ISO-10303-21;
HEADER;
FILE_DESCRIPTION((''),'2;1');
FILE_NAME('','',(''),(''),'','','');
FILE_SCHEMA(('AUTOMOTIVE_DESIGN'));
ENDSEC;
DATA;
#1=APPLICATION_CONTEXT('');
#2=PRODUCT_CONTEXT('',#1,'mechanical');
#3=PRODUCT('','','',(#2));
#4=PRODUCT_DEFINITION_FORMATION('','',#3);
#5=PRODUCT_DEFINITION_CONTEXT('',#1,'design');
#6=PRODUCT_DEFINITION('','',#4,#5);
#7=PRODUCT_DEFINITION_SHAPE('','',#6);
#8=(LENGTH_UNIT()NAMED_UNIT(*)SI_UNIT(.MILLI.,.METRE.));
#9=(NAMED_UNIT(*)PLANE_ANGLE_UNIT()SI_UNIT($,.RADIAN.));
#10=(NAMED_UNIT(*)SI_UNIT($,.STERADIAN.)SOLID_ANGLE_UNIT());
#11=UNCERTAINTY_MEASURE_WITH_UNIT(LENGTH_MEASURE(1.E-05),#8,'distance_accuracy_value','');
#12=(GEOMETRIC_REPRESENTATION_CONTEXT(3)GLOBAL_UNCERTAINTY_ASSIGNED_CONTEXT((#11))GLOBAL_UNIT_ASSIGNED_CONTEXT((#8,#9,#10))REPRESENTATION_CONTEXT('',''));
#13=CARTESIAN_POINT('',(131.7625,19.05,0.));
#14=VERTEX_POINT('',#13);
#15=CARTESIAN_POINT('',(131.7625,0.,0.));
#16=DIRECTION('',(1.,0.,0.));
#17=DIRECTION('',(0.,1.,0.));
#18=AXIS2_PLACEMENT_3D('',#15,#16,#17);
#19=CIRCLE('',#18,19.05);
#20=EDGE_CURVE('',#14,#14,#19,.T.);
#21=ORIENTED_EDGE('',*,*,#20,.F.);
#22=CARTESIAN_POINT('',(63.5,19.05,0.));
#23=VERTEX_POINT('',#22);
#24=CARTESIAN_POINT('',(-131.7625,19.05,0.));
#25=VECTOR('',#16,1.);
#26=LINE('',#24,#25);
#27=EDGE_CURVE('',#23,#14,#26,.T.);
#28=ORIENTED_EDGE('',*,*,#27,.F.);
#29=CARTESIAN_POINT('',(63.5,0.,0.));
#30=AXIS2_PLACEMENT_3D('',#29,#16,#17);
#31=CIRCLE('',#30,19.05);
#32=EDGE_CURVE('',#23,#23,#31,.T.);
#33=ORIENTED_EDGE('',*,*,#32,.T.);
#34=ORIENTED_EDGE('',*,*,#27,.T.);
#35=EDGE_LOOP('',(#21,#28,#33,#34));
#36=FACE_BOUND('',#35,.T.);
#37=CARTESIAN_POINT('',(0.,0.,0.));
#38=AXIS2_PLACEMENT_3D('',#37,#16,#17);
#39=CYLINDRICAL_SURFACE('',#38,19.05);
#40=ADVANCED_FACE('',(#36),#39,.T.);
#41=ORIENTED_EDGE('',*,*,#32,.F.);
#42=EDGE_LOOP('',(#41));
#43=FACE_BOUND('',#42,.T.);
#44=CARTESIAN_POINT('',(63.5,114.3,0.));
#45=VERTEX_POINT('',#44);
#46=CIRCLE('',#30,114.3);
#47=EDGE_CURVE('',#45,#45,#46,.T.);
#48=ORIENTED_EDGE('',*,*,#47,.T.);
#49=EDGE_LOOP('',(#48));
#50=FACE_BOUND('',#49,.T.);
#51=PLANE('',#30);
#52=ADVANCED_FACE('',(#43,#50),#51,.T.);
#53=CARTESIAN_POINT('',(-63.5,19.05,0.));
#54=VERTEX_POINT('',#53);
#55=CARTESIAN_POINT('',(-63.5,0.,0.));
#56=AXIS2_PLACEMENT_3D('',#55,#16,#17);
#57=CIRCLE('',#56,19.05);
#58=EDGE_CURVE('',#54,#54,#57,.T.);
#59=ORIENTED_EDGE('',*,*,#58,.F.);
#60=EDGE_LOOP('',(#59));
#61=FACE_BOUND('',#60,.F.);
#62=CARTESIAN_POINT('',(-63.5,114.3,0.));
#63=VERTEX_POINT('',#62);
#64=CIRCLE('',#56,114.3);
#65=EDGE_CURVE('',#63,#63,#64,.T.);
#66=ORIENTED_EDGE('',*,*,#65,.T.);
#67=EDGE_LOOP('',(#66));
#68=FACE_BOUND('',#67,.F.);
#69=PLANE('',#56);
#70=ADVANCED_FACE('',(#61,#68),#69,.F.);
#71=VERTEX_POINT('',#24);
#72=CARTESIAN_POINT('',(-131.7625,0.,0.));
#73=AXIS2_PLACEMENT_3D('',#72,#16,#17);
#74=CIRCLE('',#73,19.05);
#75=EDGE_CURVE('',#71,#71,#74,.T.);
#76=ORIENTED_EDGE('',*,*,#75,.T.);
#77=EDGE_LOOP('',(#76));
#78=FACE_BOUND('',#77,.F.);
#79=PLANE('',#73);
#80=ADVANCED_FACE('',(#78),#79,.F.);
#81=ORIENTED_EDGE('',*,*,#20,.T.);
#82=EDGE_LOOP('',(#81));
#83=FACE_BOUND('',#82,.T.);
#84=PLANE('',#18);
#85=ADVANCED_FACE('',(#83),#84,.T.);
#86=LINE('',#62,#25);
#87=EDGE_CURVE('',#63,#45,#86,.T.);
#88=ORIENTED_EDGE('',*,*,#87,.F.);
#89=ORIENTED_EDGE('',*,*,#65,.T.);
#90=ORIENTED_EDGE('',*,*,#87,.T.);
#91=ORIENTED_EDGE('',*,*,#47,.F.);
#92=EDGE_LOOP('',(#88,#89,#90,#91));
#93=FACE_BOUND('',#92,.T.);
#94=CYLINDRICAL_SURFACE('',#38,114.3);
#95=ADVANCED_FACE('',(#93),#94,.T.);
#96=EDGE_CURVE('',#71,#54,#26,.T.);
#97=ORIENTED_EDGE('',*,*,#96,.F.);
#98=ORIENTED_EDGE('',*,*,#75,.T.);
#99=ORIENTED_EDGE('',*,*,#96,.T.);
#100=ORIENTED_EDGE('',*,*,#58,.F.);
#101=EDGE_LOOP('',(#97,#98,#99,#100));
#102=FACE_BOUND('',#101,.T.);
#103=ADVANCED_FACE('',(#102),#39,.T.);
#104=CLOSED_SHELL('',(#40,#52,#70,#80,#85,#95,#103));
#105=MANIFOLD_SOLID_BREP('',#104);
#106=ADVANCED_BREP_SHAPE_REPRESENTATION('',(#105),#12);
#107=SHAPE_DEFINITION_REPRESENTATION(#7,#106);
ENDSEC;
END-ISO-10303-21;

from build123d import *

# Parameters (mm, degrees)
F0_R     = 19.05
F1_DEPTH = 131.7625
F2_R     = 114.3
F3_DEPTH = 63.5


with BuildPart() as f1:
    # F0 (on Right) → F1 (new body, symmetric)
    with BuildSketch(Plane.YZ):
        Circle(F0_R)
    extrude(amount=F1_DEPTH, both=True)

    # F2 (on Right) → F3 (join, symmetric)
    with BuildSketch(Plane.YZ):
        Circle(F2_R)
    extrude(amount=F3_DEPTH, both=True)


solid = f1.part
